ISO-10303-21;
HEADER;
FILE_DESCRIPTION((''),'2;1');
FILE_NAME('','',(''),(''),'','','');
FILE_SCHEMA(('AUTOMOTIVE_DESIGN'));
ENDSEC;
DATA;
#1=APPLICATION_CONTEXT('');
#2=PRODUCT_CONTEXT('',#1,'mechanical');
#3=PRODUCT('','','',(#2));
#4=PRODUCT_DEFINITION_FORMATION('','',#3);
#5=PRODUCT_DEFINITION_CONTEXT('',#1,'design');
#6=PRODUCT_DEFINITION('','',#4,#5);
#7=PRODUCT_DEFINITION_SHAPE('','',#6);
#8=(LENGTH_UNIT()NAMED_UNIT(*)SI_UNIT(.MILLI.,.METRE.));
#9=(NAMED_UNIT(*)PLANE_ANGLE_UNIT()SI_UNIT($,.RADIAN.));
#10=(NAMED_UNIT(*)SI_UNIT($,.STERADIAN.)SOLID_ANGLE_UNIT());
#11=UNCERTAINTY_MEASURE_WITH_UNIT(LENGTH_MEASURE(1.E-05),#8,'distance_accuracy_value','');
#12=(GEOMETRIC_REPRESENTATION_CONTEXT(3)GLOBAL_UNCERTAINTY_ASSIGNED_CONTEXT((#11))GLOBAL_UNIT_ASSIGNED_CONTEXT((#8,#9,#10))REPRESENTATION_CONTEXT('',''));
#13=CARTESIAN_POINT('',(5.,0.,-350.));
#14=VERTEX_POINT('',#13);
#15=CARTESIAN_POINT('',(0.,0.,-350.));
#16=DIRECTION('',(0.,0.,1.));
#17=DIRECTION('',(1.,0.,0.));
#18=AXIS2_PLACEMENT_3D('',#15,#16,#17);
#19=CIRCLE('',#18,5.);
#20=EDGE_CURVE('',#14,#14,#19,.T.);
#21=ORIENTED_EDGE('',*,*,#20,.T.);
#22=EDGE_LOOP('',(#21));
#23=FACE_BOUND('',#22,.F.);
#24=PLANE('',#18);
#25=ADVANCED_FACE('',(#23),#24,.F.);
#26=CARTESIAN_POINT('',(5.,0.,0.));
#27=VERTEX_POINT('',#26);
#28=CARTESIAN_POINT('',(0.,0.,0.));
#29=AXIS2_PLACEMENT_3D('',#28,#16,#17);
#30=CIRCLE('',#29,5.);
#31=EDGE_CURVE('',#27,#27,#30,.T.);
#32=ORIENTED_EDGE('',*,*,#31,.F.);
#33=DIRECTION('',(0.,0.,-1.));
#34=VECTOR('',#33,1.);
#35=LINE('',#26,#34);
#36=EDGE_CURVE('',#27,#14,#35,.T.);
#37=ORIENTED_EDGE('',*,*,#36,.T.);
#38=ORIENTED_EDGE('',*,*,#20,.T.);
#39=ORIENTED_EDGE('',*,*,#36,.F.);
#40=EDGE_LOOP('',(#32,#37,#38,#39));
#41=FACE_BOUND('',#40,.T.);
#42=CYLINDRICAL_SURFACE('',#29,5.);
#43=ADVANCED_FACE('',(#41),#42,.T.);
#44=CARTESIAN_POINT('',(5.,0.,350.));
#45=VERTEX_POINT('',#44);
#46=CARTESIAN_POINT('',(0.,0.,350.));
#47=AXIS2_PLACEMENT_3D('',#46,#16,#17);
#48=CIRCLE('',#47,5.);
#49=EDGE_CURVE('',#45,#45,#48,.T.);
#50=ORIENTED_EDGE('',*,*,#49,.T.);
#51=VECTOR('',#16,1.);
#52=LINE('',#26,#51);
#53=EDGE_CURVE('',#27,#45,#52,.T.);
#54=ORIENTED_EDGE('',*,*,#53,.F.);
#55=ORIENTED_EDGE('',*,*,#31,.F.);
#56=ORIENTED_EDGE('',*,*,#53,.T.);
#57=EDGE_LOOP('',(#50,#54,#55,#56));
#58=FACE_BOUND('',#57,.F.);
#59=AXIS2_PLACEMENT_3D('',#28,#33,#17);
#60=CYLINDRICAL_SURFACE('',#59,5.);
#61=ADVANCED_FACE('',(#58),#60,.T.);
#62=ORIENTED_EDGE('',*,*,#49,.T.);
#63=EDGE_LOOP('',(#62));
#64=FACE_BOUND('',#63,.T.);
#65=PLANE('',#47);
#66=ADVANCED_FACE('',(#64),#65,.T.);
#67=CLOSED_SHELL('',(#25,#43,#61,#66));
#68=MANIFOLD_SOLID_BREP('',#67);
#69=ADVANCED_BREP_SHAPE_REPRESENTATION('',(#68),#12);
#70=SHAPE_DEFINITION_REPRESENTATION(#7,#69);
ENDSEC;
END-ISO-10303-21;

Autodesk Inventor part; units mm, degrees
ref_plane "YZ Plane" through (0, 0, 0) normal (1, 0, 0) x (0, 1, 0)
ref_plane "XZ Plane" through (0, 0, 0) normal (0, 1, 0) x (-1, 0, 0)
ref_plane "XY Plane" through (0, 0, 0) normal (0, 0, 1) x (1, 0, 0)
sketch "Sketch1" plane through (0, 0, 0) normal (0, 0, 1) x (1, 0, 0)
  circle A0 centre (0, 0) radius 5
  dimension "d0" = 10
extrude "Extrusion1" add sketch "Sketch1" along normal mid plane 700
properties part number "0008-10-1017 Bara 10" material "Steel"
